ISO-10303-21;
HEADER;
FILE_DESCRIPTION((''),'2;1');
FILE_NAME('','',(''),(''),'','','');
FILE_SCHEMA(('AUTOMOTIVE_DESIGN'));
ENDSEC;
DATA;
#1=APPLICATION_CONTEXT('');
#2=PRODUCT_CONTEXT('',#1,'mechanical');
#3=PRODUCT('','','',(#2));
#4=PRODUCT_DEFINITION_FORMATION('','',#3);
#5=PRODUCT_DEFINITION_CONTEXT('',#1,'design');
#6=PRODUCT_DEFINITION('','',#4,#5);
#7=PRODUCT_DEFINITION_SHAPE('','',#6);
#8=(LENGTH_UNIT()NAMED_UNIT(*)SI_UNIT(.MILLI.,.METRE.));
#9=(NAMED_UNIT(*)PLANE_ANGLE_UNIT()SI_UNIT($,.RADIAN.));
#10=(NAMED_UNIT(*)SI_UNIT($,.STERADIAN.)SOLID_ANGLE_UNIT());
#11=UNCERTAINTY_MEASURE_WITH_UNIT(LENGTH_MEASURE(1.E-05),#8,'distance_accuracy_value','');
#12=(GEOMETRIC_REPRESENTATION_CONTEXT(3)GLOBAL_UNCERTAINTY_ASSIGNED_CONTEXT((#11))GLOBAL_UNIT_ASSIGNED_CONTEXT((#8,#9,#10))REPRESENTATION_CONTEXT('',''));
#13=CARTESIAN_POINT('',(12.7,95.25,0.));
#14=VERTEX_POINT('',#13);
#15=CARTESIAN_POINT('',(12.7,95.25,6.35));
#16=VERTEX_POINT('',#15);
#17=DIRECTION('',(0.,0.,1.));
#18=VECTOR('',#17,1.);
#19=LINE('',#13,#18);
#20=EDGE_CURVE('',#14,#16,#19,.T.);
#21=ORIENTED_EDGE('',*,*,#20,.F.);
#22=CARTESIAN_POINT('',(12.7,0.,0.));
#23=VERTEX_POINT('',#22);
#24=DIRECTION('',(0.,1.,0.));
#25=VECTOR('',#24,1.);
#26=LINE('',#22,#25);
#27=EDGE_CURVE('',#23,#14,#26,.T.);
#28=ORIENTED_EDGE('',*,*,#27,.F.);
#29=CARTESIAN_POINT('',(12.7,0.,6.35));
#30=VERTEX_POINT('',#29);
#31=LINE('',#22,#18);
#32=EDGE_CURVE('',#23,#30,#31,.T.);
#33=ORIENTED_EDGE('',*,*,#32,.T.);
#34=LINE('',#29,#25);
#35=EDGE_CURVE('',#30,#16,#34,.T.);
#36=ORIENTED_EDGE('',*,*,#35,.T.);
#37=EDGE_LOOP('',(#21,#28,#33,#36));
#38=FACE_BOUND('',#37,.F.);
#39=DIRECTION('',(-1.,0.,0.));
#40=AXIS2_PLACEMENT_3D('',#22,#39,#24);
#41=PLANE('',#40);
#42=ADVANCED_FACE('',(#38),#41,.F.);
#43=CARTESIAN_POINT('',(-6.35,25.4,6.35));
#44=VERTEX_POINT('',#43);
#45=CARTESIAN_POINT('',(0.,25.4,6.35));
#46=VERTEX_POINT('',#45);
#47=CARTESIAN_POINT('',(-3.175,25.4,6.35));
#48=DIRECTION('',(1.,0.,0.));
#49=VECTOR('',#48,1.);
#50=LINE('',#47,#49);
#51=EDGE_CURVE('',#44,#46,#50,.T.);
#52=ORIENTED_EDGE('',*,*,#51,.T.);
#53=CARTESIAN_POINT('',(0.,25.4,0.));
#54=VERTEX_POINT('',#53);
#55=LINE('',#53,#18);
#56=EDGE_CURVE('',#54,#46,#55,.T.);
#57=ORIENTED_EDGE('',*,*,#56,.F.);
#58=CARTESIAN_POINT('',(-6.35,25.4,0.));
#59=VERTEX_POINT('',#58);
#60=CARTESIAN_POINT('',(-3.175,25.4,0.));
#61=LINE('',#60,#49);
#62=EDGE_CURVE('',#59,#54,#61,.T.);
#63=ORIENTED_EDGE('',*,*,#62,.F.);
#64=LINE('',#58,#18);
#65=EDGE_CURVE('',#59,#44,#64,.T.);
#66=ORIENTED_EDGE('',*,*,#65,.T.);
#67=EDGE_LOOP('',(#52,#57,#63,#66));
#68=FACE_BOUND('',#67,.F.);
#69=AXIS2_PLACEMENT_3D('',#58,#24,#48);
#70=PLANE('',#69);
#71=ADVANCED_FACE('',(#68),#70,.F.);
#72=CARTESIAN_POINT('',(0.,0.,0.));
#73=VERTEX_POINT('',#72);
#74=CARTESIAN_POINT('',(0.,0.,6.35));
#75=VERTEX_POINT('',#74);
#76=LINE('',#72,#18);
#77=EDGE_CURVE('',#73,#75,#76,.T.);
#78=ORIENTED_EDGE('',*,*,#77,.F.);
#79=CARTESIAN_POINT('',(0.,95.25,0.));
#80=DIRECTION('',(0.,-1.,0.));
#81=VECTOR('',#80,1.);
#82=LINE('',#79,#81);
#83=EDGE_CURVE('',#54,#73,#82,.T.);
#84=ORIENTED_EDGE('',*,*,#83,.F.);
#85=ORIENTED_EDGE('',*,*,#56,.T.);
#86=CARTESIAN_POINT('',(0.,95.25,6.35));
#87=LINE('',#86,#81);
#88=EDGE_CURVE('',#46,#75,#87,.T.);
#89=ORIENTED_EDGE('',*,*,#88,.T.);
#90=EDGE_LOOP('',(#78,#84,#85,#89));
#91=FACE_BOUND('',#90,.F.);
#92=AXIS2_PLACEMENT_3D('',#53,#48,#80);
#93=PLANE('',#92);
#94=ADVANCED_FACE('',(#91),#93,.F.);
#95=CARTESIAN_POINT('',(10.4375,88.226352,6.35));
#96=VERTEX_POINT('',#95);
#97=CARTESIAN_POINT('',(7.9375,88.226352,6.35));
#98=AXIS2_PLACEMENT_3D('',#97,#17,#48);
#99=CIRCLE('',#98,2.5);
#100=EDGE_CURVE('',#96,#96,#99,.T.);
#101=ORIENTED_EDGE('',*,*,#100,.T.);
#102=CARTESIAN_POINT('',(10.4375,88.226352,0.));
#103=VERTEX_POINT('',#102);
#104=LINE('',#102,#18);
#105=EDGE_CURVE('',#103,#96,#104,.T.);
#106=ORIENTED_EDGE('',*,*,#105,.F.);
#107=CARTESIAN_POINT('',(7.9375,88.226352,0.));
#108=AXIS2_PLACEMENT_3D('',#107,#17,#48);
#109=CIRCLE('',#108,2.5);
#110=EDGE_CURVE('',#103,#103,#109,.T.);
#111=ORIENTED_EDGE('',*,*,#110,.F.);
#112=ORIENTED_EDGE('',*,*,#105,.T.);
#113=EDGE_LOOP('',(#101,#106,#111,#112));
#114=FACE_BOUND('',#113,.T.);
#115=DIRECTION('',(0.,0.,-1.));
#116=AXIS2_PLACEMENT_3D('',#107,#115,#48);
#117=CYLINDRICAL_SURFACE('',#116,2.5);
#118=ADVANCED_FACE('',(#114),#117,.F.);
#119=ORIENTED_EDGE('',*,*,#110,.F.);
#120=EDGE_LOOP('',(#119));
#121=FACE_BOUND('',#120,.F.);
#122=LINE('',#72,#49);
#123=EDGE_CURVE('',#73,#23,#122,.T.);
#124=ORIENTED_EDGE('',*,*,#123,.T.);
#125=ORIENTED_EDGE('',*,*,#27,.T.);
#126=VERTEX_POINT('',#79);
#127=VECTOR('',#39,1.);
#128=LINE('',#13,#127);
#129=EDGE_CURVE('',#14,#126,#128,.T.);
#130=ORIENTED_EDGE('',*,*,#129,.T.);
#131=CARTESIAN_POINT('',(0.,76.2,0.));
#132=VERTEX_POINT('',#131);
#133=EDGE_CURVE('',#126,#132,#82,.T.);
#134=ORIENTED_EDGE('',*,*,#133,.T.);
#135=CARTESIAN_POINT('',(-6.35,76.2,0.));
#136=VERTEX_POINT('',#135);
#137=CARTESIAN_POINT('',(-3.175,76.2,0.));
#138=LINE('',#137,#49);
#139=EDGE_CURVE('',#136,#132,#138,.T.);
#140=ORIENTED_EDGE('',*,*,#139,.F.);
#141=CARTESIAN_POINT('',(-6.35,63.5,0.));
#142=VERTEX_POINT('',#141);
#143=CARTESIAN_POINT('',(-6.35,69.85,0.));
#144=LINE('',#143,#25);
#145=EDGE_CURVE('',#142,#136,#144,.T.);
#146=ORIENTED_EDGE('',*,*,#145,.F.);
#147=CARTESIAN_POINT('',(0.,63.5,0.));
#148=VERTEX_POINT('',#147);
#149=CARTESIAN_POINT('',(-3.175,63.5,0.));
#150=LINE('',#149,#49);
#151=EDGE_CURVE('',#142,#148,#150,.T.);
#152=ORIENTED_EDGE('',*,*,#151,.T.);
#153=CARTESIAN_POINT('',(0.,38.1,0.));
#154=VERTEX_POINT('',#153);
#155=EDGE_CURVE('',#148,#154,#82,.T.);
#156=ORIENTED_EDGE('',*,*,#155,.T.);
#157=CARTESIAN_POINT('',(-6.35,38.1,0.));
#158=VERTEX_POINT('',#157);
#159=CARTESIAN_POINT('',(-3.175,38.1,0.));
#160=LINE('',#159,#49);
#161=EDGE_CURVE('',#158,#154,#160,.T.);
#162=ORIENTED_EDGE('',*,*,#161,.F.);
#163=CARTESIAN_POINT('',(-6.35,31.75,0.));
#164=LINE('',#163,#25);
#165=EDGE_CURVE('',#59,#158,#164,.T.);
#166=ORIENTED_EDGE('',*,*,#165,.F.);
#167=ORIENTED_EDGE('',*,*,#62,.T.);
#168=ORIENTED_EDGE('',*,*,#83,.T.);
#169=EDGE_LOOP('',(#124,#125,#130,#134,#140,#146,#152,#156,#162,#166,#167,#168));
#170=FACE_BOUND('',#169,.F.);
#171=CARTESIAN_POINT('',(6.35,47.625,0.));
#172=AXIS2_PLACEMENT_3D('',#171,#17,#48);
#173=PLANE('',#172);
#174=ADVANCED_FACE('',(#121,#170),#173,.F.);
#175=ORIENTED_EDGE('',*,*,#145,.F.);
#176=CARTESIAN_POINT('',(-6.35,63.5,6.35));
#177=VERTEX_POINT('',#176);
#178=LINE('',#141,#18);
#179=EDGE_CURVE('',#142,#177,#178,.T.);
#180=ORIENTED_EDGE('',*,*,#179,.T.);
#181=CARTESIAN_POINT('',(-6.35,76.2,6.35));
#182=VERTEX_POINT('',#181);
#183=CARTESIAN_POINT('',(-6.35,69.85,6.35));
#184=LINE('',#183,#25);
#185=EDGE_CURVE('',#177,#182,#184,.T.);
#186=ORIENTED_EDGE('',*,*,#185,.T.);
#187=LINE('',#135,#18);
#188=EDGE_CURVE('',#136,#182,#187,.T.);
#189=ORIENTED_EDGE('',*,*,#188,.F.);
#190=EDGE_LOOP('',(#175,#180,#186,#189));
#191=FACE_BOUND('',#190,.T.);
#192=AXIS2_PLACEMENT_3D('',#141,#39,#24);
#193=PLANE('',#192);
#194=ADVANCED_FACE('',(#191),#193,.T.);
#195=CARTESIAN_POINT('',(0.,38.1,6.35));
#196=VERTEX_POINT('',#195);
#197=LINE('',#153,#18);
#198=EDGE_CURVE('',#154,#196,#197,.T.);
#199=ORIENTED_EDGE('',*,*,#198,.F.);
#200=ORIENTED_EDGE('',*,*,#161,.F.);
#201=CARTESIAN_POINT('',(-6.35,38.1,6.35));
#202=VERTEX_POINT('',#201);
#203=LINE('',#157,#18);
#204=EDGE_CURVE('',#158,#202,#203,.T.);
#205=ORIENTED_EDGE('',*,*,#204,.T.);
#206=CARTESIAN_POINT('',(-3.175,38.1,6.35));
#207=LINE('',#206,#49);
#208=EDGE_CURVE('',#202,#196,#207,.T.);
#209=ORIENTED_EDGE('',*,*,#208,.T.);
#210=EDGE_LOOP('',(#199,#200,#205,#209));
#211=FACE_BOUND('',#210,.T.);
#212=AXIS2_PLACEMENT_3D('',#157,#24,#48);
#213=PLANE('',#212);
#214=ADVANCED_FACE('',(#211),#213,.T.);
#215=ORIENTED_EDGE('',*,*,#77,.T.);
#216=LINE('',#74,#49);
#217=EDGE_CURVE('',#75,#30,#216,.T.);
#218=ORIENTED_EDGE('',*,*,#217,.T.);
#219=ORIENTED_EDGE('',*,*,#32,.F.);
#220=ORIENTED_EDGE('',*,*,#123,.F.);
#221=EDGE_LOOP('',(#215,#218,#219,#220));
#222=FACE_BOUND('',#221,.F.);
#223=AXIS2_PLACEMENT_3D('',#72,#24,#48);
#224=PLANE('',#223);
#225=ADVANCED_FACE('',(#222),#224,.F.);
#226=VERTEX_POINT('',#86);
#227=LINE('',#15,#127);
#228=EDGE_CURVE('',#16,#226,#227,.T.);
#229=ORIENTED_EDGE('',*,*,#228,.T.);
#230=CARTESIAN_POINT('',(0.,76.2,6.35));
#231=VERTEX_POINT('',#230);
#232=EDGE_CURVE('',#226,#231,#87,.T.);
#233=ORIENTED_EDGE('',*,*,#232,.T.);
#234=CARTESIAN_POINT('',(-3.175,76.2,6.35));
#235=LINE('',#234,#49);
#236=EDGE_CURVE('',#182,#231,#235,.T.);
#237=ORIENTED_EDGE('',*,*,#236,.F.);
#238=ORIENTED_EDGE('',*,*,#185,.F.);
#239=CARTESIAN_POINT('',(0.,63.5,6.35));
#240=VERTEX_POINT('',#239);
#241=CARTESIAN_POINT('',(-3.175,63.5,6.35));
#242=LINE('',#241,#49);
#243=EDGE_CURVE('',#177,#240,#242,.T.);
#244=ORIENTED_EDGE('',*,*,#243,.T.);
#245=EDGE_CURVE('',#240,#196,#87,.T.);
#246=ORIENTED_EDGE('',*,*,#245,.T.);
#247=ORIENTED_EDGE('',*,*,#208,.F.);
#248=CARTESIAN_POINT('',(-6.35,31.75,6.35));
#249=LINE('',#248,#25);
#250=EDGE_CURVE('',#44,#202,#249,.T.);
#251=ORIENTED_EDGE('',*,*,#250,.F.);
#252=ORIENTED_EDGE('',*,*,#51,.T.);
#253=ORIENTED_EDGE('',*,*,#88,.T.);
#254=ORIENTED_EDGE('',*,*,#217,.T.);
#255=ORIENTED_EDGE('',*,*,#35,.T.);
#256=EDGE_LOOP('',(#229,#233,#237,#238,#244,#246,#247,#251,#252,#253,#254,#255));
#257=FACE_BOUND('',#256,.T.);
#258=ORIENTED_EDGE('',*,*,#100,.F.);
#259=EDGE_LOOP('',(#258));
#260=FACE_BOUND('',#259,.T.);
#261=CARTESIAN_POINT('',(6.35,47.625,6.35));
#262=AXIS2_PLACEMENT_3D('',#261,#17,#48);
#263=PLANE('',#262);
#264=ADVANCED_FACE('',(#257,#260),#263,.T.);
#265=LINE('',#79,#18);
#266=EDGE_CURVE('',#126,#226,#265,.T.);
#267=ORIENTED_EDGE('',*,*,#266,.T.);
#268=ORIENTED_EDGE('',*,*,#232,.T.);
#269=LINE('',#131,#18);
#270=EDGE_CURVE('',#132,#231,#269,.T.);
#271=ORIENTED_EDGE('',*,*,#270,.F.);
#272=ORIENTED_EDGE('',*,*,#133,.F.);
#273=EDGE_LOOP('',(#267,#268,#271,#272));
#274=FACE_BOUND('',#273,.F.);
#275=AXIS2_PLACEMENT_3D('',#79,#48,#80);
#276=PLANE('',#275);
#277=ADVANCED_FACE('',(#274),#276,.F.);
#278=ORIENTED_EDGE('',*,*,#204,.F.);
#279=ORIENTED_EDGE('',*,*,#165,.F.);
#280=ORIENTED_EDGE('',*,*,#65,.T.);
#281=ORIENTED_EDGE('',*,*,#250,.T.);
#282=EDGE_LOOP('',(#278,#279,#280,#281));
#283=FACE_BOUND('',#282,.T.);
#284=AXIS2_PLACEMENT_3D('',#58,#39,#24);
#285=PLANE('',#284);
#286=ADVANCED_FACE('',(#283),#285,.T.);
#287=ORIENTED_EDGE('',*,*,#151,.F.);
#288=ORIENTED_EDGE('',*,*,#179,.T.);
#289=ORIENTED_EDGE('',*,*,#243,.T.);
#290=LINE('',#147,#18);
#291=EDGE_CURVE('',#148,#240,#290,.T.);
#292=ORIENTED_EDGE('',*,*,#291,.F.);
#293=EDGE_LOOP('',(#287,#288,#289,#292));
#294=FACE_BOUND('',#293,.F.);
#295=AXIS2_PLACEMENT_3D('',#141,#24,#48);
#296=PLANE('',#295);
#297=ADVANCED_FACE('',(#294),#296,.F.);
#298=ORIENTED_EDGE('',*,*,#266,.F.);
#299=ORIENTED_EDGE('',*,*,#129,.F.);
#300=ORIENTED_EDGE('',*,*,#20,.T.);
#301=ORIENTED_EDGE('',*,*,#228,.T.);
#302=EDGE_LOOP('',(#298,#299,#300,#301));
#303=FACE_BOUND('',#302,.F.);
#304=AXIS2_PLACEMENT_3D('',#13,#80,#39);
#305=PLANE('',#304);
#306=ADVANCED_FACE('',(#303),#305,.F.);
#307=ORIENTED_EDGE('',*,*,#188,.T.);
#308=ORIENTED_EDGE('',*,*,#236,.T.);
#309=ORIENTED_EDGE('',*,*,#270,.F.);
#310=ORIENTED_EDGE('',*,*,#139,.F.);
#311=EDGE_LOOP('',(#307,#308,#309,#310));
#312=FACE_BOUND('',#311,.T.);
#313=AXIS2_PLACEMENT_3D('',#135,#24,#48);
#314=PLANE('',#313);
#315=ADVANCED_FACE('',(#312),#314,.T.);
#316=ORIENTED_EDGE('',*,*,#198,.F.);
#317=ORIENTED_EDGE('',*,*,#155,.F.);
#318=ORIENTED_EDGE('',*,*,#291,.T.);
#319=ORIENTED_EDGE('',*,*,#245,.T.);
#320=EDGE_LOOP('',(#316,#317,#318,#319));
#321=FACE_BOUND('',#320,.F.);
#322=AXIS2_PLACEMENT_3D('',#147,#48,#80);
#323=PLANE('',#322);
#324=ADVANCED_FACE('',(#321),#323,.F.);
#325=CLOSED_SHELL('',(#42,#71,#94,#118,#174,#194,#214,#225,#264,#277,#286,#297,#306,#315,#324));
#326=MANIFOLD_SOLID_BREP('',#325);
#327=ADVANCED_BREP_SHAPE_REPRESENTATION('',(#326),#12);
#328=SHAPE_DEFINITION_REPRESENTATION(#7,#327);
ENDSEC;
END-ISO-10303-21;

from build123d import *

# Parameters (mm, degrees)
F0_R     = 2.5
F0_W     = 6.35
F0_H     = 12.7
F1_DEPTH = 6.35


with BuildPart() as f1:
    # F0 (on Top) → F1 (new body)
    with BuildSketch(Plane.XY):
        Polygon((0, 25.4), (0, 0), (12.7, 0), (12.7, 95.25), (0, 95.25), (0, 76.2), (0, 63.5), (0, 38.1), align=None)
        with Locations((7.9375, 88.226352)):
            Circle(F0_R, mode=Mode.SUBTRACT)
        with Locations((-3.175, 31.75)):
            Rectangle(F0_W, F0_H)
        with Locations((-3.175, 69.85)):
            Rectangle(F0_W, F0_H)
    extrude(amount=F1_DEPTH)


solid = f1.part
